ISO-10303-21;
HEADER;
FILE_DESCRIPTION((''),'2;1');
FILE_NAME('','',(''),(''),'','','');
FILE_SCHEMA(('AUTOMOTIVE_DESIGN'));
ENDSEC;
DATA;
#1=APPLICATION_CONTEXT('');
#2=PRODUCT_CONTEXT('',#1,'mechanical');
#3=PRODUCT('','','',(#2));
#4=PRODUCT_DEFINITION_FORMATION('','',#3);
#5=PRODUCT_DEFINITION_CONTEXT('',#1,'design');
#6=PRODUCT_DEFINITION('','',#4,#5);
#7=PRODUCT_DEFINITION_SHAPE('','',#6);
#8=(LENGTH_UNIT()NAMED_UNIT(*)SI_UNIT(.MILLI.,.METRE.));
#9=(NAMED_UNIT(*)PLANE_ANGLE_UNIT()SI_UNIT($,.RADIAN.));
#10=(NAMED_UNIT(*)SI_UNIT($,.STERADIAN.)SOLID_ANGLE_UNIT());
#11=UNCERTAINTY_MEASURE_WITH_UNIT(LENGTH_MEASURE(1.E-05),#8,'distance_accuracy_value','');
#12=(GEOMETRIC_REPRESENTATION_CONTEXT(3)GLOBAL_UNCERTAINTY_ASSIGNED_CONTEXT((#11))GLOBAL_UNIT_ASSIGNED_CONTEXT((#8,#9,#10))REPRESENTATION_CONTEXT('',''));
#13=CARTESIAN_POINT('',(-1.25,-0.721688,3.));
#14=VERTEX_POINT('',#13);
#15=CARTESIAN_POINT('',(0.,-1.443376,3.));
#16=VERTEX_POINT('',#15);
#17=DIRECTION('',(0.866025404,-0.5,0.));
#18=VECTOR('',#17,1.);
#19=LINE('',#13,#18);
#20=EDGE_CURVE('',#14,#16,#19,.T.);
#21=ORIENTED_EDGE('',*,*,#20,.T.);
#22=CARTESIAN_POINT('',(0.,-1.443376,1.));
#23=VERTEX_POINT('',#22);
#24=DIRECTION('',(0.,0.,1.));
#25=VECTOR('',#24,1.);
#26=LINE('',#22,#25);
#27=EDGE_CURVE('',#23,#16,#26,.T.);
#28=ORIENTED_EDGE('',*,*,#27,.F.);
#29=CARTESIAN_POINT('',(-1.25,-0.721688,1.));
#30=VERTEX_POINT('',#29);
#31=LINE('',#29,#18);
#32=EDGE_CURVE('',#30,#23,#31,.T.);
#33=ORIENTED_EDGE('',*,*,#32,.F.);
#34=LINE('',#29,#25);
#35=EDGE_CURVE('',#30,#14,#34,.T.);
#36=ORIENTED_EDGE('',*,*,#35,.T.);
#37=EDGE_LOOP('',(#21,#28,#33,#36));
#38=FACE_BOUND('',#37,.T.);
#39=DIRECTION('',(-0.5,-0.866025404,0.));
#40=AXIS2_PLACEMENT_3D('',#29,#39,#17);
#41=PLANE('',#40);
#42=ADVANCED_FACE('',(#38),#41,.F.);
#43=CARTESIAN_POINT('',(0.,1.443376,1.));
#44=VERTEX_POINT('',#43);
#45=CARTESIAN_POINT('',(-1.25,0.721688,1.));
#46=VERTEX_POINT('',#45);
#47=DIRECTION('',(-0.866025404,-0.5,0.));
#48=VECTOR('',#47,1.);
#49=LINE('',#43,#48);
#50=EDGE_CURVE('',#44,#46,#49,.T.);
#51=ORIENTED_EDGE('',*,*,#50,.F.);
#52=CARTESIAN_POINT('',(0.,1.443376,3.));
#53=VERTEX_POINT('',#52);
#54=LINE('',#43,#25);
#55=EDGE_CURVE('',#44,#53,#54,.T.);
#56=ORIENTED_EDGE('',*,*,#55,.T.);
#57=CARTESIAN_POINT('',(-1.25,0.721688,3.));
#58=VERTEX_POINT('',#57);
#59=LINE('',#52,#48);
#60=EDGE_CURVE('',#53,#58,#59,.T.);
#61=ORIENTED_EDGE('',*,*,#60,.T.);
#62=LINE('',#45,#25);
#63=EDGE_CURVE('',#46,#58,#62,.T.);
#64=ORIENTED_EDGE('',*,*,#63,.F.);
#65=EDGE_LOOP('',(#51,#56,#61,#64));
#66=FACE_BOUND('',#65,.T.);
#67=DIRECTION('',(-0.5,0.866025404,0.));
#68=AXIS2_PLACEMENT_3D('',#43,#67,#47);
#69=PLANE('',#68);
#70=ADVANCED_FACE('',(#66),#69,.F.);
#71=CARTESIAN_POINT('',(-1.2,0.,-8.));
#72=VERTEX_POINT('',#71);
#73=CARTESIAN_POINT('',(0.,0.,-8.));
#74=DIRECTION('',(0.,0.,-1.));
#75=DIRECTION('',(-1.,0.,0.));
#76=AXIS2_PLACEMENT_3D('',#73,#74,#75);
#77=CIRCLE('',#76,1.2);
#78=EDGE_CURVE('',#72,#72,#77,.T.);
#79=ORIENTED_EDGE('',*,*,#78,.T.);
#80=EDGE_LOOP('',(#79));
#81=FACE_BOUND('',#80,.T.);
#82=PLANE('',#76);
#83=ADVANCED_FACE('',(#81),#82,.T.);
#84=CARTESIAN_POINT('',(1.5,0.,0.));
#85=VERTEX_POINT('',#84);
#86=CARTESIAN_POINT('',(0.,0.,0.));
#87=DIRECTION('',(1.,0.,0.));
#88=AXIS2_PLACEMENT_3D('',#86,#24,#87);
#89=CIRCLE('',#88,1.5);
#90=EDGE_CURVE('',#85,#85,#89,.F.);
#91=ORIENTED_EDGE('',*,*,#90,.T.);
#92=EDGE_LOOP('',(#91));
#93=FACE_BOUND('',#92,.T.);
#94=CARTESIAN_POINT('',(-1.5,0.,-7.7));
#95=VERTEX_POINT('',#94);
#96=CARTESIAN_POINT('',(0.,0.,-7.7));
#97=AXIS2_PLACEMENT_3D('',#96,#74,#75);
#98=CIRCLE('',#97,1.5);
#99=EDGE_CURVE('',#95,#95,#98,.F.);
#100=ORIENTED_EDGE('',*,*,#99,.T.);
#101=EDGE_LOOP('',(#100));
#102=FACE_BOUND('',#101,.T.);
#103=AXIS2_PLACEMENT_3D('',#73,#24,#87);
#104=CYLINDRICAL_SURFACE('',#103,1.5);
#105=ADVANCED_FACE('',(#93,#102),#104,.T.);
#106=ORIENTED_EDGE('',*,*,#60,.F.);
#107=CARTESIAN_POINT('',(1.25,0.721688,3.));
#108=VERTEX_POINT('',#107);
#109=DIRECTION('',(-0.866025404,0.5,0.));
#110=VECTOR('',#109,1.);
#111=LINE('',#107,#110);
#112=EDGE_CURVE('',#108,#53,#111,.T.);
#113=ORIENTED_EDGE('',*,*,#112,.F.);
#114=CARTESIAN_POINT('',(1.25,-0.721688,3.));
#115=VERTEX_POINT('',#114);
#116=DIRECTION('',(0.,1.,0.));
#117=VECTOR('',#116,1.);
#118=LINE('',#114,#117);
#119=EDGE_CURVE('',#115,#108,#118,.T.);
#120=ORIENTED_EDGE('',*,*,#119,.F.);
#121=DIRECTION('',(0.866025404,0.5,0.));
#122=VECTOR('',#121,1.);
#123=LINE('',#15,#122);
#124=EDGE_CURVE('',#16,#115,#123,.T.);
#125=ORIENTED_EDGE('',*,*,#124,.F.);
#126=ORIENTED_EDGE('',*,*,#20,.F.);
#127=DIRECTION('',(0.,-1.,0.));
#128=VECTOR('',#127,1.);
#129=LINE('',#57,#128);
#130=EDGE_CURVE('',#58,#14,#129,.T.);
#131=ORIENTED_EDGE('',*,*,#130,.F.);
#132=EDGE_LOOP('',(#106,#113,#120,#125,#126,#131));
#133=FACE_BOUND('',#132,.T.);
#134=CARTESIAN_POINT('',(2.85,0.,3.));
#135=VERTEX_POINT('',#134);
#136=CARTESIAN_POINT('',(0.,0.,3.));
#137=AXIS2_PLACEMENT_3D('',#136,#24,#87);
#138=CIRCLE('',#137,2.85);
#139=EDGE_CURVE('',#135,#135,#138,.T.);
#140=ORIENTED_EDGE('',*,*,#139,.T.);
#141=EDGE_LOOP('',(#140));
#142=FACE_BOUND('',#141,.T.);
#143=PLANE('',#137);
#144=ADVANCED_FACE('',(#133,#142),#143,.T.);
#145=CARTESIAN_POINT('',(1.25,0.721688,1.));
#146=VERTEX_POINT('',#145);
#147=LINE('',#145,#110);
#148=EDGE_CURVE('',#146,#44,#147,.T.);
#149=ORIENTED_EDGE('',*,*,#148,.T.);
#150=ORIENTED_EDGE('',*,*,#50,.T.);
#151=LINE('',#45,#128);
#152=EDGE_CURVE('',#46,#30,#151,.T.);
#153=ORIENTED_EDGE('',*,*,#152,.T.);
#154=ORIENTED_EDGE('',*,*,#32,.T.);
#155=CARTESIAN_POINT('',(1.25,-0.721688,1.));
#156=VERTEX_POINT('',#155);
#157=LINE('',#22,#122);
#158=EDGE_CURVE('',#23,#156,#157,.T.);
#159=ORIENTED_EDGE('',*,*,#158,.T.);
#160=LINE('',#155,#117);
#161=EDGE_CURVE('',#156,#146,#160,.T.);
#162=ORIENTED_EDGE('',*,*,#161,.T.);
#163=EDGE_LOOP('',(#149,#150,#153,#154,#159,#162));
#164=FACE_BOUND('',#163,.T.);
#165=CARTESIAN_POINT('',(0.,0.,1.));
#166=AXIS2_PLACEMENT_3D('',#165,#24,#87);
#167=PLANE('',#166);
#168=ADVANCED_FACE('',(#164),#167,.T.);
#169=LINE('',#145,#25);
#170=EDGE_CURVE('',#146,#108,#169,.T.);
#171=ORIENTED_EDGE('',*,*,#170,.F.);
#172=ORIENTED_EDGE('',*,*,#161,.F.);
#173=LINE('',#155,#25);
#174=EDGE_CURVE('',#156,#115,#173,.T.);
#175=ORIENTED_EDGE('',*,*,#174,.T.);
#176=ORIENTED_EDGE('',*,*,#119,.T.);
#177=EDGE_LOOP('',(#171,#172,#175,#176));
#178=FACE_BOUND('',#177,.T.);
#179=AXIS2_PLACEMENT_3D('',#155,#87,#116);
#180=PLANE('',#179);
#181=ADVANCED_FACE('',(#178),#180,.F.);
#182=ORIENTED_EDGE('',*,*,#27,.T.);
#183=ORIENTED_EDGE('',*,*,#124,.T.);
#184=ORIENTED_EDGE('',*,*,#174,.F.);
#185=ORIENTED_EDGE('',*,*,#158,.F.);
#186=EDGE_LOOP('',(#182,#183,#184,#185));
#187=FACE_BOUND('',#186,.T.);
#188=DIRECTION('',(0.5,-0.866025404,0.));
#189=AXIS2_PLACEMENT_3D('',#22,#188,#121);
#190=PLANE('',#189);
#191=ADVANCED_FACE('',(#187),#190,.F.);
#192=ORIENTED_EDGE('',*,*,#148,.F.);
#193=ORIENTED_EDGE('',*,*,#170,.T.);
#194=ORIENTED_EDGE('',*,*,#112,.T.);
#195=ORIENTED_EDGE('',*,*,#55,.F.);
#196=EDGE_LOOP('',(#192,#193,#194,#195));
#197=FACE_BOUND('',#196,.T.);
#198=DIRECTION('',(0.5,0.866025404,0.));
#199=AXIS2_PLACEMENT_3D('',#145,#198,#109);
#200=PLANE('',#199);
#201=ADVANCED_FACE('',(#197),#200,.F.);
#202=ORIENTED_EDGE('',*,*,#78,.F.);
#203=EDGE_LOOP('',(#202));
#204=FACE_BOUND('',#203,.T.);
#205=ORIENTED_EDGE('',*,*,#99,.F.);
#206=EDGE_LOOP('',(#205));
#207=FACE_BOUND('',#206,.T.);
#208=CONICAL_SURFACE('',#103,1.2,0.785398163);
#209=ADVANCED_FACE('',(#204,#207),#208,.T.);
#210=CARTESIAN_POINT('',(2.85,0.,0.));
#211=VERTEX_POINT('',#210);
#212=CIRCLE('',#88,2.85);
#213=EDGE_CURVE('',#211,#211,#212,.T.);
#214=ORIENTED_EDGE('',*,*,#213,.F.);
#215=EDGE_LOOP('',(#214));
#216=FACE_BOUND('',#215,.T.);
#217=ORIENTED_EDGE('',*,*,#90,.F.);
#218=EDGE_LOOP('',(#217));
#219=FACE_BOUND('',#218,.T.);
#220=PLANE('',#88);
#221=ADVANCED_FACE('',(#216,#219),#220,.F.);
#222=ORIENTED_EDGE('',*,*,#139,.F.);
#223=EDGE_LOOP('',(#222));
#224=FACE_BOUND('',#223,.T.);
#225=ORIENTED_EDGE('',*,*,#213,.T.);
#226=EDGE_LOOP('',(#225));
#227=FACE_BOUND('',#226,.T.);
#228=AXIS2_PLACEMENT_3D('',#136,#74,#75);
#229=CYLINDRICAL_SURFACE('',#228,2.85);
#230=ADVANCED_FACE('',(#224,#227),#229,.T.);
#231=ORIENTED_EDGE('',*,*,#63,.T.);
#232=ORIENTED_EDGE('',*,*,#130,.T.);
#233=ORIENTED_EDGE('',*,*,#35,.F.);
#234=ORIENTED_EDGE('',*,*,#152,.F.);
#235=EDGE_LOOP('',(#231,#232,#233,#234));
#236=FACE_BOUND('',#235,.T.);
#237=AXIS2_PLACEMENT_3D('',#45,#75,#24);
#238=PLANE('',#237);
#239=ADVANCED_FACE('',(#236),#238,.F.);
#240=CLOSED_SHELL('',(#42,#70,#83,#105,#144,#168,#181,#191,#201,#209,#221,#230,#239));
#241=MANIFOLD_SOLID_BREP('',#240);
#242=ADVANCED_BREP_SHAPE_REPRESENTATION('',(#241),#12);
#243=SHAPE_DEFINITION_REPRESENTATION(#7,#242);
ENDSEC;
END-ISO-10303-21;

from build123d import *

# Parameters (mm, degrees)
SKETCH1_R           = 2.85
BOSS_EXTRUDE1_DEPTH = 3
SKETCH2_R           = 1.5
BOSS_EXTRUDE2_DEPTH = 8
CHAMFER1_SIZE       = 0.3
CUT_EXTRUDE1_DEPTH  = 2


with BuildPart() as part:
    # Sketch1 → Boss-Extrude1 (new body)
    with BuildSketch(Plane.XY):
        Circle(SKETCH1_R)
    extrude(amount=BOSS_EXTRUDE1_DEPTH)

    # Sketch2 → Boss-Extrude2 (add)
    with BuildSketch(Plane(origin=(0, 0, 0), x_dir=(-1, 0, 0), z_dir=(0, 0, -1))):
        Circle(SKETCH2_R)
    extrude(amount=BOSS_EXTRUDE2_DEPTH)

    # Chamfer1
    chamfer1_edges = [part.edges().sort_by_distance(p)[0] for p in [
        (1.5, 0, -8),
    ]]
    chamfer(chamfer1_edges, length=CHAMFER1_SIZE)

    # Sketch3 → Cut-Extrude1 (cut)
    with BuildSketch(Plane.XY.offset(3)):
        Polygon((0, 1.443375673), (-1.25, 0.721687836), (-1.25, -0.721687836), (0, -1.443375673), (1.25, -0.721687836), (1.25, 0.721687836), align=None)
    extrude(amount=-CUT_EXTRUDE1_DEPTH, mode=Mode.SUBTRACT)


solid = part.part
